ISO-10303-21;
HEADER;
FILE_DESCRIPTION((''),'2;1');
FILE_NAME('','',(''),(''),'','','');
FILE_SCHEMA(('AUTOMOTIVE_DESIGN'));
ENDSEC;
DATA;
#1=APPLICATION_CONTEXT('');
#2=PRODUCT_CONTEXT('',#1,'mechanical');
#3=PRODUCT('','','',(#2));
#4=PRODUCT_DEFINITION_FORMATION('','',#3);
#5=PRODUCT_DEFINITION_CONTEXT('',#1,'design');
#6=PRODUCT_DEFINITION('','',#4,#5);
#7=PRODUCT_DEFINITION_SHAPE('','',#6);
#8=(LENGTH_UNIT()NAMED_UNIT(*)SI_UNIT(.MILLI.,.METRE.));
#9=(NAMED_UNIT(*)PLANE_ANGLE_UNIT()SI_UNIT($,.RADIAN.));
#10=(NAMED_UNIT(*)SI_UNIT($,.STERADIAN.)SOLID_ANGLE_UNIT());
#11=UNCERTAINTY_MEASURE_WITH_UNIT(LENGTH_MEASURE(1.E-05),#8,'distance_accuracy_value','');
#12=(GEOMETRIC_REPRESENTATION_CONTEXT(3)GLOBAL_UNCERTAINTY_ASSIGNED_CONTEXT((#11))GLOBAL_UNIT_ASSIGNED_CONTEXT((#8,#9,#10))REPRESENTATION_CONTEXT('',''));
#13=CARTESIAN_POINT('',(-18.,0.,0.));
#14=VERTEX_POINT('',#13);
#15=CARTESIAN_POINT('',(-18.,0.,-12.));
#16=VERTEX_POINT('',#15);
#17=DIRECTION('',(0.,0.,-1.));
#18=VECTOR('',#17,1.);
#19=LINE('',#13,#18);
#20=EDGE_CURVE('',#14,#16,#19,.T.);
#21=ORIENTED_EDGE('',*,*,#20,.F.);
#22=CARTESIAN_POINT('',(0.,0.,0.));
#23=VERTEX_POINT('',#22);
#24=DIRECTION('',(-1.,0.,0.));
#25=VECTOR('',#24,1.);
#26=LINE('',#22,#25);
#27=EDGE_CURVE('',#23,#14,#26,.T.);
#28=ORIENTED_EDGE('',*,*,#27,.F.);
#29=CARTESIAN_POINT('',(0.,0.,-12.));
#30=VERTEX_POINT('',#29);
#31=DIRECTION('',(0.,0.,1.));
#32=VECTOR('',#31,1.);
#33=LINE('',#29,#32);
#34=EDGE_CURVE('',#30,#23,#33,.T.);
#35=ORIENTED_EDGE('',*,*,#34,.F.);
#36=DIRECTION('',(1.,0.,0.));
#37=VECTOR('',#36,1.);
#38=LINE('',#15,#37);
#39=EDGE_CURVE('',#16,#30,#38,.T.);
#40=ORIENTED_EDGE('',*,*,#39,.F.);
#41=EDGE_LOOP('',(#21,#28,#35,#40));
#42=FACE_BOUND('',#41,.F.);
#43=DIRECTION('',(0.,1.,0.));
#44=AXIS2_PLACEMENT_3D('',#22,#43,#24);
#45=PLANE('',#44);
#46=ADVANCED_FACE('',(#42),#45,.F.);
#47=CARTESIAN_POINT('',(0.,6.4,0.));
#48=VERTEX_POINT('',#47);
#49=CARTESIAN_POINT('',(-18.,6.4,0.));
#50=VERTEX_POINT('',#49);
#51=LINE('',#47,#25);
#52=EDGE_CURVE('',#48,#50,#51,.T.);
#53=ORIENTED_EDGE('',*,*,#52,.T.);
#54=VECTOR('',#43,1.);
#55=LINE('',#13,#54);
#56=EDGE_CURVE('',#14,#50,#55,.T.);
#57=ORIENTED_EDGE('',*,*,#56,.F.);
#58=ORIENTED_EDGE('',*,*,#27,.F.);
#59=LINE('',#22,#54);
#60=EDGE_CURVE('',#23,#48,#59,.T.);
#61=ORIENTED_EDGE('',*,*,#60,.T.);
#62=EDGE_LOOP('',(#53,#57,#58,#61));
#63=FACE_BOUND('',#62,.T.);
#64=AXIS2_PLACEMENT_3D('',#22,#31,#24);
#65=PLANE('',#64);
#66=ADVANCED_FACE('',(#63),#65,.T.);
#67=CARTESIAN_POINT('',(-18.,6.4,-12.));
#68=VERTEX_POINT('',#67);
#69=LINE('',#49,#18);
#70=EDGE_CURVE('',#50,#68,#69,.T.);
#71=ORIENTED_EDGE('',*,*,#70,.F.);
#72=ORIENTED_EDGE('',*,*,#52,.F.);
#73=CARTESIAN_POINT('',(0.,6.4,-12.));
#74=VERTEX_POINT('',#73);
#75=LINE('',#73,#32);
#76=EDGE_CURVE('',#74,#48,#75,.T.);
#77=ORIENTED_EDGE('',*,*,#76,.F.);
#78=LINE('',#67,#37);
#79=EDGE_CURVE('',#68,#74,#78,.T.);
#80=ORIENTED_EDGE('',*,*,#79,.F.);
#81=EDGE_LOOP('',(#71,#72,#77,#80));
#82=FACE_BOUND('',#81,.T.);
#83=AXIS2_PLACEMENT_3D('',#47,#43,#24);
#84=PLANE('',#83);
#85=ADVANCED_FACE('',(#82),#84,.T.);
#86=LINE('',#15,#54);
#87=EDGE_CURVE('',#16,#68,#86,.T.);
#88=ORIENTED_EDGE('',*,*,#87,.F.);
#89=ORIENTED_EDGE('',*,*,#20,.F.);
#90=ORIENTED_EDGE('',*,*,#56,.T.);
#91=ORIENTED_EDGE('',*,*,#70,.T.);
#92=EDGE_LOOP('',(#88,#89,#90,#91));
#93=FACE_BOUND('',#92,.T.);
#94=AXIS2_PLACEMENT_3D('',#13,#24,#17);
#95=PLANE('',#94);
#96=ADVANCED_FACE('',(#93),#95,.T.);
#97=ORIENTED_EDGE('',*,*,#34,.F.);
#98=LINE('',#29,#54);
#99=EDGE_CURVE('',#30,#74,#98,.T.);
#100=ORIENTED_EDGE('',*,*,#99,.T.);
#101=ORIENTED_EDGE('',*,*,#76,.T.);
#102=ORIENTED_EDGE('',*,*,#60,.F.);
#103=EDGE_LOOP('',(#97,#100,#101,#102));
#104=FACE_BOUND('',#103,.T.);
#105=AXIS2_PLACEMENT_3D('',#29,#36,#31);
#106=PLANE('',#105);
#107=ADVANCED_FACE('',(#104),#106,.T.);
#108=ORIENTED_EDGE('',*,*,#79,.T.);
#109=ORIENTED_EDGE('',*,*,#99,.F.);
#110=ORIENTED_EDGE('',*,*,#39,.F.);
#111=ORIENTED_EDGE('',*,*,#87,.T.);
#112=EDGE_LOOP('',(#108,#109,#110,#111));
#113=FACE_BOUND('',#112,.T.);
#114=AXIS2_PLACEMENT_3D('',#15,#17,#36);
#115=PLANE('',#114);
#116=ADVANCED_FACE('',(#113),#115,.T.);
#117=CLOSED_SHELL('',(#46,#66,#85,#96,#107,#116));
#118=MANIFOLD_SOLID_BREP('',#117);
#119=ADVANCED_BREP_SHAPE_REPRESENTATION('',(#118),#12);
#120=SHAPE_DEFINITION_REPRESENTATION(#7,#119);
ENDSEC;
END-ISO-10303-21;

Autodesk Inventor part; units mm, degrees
ref_plane "YZ Plane" through (0, 0, 0) normal (1, 0, 0) x (0, 1, 0)
ref_plane "XZ Plane" through (0, 0, 0) normal (0, 1, 0) x (-1, 0, 0)
ref_plane "XY Plane" through (0, 0, 0) normal (0, 0, 1) x (1, 0, 0)
sketch "Sketch1" plane through (0, 0, 0) normal (0, 1, 0) x (-1, 0, 0)
  line L0 (0, 0) -> (18, 0)
  line L1 (18, 0) -> (18, -12)
  line L2 (18, -12) -> (0, -12)
  line L3 (0, -12) -> (0, 0)
  dimension "d0" = 18
  dimension "d1" = 12
extrude "Extrusion1" add sketch "Sketch1" along normal blind 6.4
properties part number "shim_6.5mm"
